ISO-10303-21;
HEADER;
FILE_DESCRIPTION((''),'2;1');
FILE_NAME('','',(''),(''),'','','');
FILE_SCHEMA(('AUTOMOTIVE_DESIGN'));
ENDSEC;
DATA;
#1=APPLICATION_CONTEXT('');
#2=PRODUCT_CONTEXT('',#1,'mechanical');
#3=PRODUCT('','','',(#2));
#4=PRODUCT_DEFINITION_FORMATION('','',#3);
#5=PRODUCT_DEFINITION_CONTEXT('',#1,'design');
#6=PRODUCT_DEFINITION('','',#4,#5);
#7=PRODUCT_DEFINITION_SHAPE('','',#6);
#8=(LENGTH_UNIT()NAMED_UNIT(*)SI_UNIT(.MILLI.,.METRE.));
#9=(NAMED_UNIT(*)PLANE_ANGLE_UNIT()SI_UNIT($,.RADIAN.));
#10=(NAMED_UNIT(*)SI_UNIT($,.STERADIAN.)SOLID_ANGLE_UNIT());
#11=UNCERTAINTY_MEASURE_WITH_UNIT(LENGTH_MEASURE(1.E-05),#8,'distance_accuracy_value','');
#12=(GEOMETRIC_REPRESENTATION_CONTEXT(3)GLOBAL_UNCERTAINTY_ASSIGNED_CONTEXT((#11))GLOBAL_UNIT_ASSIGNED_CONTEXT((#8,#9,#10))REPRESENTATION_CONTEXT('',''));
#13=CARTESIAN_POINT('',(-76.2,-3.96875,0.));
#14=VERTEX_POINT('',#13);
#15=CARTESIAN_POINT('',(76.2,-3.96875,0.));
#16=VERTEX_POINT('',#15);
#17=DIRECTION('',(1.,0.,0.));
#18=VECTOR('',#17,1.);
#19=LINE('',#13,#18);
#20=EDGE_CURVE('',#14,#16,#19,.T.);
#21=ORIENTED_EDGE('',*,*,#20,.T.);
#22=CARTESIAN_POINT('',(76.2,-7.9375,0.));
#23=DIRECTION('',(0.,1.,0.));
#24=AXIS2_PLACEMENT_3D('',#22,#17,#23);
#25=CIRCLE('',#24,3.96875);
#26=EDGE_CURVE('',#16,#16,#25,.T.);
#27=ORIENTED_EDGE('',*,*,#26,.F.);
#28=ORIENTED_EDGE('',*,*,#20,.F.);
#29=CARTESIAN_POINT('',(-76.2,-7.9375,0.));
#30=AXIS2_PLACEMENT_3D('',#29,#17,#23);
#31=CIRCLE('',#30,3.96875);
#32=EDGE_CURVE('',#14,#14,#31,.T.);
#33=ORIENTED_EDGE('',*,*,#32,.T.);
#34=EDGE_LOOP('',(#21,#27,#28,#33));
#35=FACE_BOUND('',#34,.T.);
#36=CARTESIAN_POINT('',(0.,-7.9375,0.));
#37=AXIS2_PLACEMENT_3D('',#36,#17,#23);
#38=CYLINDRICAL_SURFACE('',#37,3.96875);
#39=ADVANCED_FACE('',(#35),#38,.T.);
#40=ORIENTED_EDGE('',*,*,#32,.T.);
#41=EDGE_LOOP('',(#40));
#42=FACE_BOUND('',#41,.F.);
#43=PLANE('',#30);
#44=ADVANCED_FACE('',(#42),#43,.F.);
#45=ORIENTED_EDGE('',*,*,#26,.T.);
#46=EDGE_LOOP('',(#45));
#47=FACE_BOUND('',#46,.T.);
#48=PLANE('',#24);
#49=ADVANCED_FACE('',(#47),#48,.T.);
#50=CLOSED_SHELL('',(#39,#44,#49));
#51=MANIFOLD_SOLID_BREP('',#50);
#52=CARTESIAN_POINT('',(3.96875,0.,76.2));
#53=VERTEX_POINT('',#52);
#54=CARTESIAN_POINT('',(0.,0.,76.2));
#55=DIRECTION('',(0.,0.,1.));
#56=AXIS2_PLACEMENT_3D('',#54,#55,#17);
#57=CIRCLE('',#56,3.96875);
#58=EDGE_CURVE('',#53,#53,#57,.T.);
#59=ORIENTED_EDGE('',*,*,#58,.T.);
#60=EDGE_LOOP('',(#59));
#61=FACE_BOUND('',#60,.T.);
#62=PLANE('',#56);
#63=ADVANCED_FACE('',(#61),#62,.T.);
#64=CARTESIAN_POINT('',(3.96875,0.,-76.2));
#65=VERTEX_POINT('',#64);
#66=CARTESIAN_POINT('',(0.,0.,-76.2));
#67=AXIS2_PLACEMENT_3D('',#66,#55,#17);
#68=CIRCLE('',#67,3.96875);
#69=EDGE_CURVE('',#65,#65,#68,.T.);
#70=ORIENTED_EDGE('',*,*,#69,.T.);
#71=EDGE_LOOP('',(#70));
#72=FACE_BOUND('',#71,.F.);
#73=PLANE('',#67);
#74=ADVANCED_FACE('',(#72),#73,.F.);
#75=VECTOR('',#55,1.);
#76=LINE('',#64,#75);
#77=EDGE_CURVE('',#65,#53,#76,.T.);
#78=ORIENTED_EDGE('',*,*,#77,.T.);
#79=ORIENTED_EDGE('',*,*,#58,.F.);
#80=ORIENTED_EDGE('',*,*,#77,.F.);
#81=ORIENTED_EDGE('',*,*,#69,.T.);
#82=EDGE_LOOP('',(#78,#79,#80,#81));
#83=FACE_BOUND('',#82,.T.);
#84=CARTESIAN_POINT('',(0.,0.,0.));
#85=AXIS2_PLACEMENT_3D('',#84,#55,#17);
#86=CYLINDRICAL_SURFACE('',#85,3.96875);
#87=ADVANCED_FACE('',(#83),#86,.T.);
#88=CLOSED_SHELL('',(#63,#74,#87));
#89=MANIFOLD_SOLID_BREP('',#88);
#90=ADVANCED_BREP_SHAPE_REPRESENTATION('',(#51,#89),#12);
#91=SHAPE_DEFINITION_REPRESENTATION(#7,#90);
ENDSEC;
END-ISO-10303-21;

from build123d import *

# Parameters (mm, degrees)
F0_R     = 3.96875
F1_DEPTH = 76.2
F2_R     = 3.96875
F3_DEPTH = 76.2


with BuildPart() as f1:
    # F0 (on Top) → F1 (new body, symmetric)
    with BuildSketch(Plane.XY):
        Circle(F0_R)
    extrude(amount=F1_DEPTH, both=True)


with BuildPart() as f3:
    # F2 (on Right) → F3 (new body, symmetric)
    with BuildSketch(Plane.YZ):
        with Locations((-7.9375, 0)):
            Circle(F2_R)
    extrude(amount=F3_DEPTH, both=True)


solid = Compound([f1.part, f3.part])
